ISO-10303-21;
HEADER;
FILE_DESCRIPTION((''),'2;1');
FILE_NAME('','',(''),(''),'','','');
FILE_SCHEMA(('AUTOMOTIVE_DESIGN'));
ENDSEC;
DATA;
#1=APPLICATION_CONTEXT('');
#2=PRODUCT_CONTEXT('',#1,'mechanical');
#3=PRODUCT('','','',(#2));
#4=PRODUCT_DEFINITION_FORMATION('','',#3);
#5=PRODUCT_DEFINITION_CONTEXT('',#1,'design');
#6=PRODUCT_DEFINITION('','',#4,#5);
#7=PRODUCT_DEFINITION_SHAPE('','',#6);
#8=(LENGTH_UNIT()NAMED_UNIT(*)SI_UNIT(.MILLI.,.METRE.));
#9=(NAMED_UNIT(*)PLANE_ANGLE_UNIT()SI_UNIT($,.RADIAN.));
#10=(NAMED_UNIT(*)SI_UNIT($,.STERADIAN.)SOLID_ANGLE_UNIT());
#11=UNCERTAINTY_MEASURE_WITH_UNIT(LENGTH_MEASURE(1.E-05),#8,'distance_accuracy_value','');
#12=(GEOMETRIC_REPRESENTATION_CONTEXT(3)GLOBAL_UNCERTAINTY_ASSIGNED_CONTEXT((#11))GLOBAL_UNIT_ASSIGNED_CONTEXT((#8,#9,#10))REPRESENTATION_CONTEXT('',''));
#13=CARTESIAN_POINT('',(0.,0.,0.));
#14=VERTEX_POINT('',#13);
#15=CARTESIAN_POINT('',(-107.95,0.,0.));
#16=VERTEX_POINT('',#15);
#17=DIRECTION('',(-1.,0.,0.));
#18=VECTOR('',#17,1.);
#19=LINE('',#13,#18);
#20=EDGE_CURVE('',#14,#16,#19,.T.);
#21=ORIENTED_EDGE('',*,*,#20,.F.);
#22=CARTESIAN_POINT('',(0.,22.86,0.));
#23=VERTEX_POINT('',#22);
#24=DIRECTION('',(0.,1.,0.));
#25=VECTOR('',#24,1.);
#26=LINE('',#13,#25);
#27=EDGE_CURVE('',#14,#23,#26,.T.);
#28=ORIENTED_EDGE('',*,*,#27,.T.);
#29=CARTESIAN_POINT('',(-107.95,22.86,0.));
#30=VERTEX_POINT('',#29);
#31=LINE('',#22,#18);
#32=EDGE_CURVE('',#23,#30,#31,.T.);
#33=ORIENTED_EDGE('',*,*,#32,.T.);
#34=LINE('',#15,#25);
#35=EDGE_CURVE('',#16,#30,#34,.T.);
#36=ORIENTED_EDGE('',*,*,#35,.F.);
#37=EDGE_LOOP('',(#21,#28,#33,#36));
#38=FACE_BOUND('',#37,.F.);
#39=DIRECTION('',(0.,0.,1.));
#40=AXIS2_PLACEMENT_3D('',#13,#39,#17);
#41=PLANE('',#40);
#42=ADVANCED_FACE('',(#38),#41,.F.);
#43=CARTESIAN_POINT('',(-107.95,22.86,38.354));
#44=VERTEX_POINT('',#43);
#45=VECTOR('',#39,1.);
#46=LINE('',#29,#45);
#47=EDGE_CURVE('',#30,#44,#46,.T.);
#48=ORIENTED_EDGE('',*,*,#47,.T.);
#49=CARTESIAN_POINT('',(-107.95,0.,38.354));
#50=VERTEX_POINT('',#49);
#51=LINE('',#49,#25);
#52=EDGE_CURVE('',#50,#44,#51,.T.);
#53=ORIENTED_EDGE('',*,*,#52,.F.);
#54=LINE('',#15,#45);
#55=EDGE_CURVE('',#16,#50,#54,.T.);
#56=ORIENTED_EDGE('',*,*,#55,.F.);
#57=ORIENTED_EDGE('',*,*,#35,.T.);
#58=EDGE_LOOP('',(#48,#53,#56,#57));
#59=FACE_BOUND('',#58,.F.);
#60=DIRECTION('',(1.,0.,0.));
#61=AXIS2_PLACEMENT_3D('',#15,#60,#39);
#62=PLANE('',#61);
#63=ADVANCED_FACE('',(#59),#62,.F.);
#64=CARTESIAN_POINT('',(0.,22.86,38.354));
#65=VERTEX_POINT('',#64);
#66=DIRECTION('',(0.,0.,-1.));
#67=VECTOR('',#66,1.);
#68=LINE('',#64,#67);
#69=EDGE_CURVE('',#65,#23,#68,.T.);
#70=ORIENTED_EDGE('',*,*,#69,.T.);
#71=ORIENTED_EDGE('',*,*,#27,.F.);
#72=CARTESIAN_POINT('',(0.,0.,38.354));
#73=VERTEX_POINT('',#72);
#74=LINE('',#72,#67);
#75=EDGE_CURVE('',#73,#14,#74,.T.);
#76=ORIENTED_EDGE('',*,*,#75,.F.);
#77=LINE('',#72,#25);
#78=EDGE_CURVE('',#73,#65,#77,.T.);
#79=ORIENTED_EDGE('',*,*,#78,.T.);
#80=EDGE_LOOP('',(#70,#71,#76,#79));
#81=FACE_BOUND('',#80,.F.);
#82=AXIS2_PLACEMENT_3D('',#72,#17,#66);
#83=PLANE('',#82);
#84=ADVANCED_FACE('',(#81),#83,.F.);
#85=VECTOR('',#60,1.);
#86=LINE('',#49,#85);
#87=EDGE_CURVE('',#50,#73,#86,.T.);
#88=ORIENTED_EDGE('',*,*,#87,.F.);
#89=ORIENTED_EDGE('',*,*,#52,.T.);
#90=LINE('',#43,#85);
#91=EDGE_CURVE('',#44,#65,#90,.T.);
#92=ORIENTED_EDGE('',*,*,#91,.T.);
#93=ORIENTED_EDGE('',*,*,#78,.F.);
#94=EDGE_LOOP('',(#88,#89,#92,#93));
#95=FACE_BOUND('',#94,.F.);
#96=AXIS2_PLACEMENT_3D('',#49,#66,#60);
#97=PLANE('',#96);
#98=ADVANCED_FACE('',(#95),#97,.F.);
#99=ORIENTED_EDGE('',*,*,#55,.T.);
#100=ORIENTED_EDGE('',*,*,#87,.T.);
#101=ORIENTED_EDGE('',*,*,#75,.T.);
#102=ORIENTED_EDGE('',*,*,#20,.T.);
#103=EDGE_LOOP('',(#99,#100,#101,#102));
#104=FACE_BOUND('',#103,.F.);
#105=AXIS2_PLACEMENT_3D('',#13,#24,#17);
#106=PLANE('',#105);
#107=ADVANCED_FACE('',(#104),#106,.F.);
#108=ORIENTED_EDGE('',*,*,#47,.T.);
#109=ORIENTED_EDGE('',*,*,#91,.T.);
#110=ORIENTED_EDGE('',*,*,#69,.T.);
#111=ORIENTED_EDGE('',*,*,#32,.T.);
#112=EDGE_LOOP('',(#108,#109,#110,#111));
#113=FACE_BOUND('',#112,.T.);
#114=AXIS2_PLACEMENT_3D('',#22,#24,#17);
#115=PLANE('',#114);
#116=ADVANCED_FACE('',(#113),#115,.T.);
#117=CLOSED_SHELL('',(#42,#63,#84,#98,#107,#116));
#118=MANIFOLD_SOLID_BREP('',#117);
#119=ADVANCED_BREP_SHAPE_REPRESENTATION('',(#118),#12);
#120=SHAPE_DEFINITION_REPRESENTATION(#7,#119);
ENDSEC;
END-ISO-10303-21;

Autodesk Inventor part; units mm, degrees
ref_plane "YZ Plane" through (0, 0, 0) normal (1, 0, 0) x (0, 1, 0)
ref_plane "XZ Plane" through (0, 0, 0) normal (0, 1, 0) x (-1, 0, 0)
ref_plane "XY Plane" through (0, 0, 0) normal (0, 0, 1) x (1, 0, 0)
sketch "Sketch1" plane through (0, 0, 0) normal (0, 1, 0) x (-1, 0, 0)
  line L0 (0, 0) -> (107.95, 0)
  line L1 (107.95, 0) -> (107.95, 38.354)
  line L2 (107.95, 38.354) -> (0, 38.354)
  line L3 (0, 38.354) -> (0, 0)
  dimension "d0" = 107.95
  dimension "d1" = 38.354
extrude "Extrusion1" add sketch "Sketch1" along normal blind 22.86
sketch "Sketch3" plane through (0, 22.86, 0) normal (0, 1, 0) x (1, 0, 0)
  line L0 (-78.5378, -8.7892) -> (-35.1236, -8.7892) construction
  line L1 (-35.1236, -8.7892) -> (-35.1236, -23.5444) construction
  line L2 (-35.1236, -23.5444) -> (-78.5378, -23.5444) construction
  line L3 (-78.5378, -23.5444) -> (-78.5378, -8.7892) construction
  point P0 (0, 0)
properties part number "battery"
